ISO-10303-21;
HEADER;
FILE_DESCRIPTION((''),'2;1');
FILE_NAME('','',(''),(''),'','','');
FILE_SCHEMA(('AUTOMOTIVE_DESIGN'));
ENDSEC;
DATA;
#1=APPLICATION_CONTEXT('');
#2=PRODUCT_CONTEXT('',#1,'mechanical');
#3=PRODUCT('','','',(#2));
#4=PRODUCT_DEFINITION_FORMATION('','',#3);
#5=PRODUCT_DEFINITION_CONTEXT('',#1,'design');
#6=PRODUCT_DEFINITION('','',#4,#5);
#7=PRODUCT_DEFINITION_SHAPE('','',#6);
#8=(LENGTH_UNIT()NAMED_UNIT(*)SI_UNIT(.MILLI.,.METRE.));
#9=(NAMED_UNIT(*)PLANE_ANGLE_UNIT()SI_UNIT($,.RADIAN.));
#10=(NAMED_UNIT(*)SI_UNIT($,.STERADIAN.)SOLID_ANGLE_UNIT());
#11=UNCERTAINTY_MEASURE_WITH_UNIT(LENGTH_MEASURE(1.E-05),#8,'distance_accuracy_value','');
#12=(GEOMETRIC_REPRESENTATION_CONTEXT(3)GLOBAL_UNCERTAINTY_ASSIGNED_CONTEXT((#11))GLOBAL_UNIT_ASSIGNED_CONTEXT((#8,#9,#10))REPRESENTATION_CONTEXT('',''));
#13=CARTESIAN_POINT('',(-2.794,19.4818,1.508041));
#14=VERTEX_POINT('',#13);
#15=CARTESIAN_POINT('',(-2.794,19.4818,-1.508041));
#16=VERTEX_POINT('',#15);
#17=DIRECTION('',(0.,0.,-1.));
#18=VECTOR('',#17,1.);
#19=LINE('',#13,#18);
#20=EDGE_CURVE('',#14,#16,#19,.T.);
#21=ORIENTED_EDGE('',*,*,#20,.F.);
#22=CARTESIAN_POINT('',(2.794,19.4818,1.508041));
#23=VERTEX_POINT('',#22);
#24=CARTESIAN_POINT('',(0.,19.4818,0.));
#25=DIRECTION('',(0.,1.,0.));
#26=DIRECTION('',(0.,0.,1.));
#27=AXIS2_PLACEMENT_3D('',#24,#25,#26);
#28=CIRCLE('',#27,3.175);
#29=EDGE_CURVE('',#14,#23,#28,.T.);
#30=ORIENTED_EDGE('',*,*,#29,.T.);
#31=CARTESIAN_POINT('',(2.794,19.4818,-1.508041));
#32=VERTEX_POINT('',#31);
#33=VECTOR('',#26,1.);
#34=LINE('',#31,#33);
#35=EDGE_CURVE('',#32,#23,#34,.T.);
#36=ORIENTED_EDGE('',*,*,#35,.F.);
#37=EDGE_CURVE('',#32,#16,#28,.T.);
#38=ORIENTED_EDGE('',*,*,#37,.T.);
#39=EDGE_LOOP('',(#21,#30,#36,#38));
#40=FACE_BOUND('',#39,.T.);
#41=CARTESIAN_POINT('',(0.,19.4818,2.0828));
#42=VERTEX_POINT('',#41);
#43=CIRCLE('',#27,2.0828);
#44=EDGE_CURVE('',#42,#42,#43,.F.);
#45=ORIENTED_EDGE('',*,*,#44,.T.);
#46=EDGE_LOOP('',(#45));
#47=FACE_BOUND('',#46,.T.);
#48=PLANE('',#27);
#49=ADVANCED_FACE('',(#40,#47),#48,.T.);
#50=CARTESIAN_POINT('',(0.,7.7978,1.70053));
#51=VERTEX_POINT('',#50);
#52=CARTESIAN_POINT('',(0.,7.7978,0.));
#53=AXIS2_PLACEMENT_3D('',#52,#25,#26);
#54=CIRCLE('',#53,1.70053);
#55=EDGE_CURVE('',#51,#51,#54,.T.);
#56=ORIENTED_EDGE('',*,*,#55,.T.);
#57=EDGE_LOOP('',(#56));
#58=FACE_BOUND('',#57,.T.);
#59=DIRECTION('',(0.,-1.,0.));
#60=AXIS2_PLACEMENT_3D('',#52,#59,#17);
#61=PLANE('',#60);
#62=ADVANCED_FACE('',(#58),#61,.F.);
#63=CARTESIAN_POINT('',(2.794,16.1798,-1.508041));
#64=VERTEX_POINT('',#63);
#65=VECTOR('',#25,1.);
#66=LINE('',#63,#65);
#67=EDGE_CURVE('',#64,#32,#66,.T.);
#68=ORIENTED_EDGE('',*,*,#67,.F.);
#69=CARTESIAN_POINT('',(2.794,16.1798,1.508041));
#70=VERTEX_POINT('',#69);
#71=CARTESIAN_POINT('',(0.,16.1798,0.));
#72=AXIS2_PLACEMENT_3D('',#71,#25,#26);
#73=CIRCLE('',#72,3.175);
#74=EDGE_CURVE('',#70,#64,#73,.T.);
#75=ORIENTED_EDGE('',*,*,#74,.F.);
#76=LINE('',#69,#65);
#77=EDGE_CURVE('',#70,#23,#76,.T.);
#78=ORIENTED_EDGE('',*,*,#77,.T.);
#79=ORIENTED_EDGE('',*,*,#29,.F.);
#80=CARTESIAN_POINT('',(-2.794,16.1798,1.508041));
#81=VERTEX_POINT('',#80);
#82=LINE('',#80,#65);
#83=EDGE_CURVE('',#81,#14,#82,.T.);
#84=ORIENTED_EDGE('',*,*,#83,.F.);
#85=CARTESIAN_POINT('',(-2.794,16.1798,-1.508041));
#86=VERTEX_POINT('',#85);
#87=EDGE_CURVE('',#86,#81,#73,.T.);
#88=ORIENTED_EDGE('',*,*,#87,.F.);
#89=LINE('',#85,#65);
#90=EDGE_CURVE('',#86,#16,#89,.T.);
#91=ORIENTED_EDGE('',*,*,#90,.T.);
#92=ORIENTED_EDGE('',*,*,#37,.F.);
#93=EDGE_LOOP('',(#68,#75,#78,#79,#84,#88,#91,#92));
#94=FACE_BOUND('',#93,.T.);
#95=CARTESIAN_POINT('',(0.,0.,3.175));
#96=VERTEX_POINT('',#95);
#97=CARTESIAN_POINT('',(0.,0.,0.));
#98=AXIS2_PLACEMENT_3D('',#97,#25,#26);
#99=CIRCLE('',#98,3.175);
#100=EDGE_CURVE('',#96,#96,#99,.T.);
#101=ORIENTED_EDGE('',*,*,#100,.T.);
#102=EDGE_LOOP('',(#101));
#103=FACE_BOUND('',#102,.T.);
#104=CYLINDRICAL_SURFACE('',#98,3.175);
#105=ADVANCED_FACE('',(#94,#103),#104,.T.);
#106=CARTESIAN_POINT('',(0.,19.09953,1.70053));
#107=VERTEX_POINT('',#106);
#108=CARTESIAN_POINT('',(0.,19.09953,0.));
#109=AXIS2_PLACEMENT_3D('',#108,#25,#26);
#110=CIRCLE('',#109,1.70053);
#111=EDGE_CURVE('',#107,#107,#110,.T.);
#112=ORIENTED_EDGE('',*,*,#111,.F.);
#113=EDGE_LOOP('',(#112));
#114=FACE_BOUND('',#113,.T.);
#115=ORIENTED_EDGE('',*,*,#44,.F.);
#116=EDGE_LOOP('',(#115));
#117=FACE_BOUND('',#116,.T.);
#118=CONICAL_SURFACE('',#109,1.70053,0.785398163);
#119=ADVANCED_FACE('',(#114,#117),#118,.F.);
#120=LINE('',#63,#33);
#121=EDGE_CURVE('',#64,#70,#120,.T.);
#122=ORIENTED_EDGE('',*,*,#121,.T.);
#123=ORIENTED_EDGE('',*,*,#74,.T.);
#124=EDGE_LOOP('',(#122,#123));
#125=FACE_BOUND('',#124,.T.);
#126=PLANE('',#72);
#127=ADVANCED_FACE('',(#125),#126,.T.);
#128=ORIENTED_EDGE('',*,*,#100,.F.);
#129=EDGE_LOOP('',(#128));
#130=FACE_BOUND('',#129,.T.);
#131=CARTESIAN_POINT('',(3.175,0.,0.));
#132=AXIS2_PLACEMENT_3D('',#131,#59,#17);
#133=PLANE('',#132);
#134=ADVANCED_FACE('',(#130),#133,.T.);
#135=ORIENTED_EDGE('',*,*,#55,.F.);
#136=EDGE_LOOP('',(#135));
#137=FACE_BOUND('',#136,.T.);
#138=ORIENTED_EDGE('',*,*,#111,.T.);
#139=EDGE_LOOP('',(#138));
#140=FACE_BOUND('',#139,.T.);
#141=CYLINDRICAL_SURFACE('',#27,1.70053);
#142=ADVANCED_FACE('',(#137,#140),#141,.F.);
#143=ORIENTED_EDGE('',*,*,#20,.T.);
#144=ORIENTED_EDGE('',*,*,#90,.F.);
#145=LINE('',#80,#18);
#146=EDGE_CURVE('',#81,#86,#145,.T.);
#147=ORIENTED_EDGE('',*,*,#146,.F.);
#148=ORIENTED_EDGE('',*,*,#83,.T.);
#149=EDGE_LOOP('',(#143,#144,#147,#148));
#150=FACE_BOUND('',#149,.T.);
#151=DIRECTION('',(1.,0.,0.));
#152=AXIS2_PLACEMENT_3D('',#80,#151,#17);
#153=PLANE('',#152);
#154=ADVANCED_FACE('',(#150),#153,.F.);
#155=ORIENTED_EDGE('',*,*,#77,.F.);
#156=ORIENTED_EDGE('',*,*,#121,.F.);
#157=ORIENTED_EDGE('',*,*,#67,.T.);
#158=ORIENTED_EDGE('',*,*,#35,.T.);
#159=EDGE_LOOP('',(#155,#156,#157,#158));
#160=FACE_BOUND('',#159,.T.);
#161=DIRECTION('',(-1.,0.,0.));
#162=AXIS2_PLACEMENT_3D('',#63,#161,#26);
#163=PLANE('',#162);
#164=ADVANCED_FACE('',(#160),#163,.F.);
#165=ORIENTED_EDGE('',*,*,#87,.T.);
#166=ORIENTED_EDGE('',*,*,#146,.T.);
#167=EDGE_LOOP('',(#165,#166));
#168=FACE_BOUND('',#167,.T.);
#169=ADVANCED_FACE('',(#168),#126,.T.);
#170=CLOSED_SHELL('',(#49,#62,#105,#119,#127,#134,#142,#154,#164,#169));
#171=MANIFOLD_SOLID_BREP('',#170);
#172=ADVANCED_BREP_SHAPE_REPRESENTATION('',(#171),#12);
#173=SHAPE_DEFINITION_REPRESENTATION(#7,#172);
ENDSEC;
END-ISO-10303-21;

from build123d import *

# Parameters (mm, degrees)
SKETCH1_W                = 3.175
SKETCH1_H                = 19.4818
CUT_EXTRUDE1_START       = -3.302
CUT_EXTRUDE1_DEPTH       = 3.302
CUT_EXTRUDE2_START       = -3.302
CUT_EXTRUDE2_DEPTH       = 3.302
M3_CLEARANCE_HOLE1_D     = 3.40106
M3_CLEARANCE_HOLE1_DEPTH = 11.684
CHAMFER1_SIZE            = 0.38227


with BuildPart() as part:
    # Sketch1 → Revolve1 (revolve)
    with BuildSketch(Plane(origin=(0, 0, 0), x_dir=(-1, 0, 0), z_dir=(0, 0, -1)), mode=Mode.PRIVATE) as revolve1_sk:
        with Locations((-1.5875, 9.7409)):
            Rectangle(SKETCH1_W, SKETCH1_H)
    revolve(revolve1_sk.sketch.rotate(Axis((0, 0, 0), (0, 1, 0)), 270), axis=Axis((0, 0, 0), (0, 1, 0)))

    # Sketch2 → Cut-Extrude1 (cut)
    with BuildSketch(Plane(origin=(0, 19.4818, 0), x_dir=(-1, 0, 0), z_dir=(0, 1, 0)).offset(CUT_EXTRUDE1_START)):
        with BuildLine():
            Line((2.794, 1.508041445), (2.794, -1.508041445))
            ThreePointArc((2.794, -1.508041445), (3.175, 0), (2.794, 1.508041445))
        make_face()
    extrude(amount=CUT_EXTRUDE1_DEPTH, mode=Mode.SUBTRACT)

    # Sketch3 → Cut-Extrude2 (cut)
    with BuildSketch(Plane(origin=(0, 19.4818, 0), x_dir=(-1, 0, 0), z_dir=(0, 1, 0)).offset(CUT_EXTRUDE2_START)):
        with BuildLine():
            Line((-2.794, -1.508041445), (-2.794, 1.508041445))
            ThreePointArc((-2.794, 1.508041445), (-3.175, 0), (-2.794, -1.508041445))
        make_face()
    extrude(amount=CUT_EXTRUDE2_DEPTH, mode=Mode.SUBTRACT)

    # M3 Clearance Hole1
    with Locations(Plane(origin=(0, 19.4818, 0), x_dir=(1, 0, 0), z_dir=(0, 1, 0))):
        with Locations((0, 0)):
            Hole(M3_CLEARANCE_HOLE1_D / 2, depth=M3_CLEARANCE_HOLE1_DEPTH)

    # Chamfer1
    chamfer1_edges = [part.edges().sort_by_distance(p)[0] for p in [
        (1.70053, 19.4818, 0),
    ]]
    chamfer(chamfer1_edges, length=CHAMFER1_SIZE)


solid = part.part
